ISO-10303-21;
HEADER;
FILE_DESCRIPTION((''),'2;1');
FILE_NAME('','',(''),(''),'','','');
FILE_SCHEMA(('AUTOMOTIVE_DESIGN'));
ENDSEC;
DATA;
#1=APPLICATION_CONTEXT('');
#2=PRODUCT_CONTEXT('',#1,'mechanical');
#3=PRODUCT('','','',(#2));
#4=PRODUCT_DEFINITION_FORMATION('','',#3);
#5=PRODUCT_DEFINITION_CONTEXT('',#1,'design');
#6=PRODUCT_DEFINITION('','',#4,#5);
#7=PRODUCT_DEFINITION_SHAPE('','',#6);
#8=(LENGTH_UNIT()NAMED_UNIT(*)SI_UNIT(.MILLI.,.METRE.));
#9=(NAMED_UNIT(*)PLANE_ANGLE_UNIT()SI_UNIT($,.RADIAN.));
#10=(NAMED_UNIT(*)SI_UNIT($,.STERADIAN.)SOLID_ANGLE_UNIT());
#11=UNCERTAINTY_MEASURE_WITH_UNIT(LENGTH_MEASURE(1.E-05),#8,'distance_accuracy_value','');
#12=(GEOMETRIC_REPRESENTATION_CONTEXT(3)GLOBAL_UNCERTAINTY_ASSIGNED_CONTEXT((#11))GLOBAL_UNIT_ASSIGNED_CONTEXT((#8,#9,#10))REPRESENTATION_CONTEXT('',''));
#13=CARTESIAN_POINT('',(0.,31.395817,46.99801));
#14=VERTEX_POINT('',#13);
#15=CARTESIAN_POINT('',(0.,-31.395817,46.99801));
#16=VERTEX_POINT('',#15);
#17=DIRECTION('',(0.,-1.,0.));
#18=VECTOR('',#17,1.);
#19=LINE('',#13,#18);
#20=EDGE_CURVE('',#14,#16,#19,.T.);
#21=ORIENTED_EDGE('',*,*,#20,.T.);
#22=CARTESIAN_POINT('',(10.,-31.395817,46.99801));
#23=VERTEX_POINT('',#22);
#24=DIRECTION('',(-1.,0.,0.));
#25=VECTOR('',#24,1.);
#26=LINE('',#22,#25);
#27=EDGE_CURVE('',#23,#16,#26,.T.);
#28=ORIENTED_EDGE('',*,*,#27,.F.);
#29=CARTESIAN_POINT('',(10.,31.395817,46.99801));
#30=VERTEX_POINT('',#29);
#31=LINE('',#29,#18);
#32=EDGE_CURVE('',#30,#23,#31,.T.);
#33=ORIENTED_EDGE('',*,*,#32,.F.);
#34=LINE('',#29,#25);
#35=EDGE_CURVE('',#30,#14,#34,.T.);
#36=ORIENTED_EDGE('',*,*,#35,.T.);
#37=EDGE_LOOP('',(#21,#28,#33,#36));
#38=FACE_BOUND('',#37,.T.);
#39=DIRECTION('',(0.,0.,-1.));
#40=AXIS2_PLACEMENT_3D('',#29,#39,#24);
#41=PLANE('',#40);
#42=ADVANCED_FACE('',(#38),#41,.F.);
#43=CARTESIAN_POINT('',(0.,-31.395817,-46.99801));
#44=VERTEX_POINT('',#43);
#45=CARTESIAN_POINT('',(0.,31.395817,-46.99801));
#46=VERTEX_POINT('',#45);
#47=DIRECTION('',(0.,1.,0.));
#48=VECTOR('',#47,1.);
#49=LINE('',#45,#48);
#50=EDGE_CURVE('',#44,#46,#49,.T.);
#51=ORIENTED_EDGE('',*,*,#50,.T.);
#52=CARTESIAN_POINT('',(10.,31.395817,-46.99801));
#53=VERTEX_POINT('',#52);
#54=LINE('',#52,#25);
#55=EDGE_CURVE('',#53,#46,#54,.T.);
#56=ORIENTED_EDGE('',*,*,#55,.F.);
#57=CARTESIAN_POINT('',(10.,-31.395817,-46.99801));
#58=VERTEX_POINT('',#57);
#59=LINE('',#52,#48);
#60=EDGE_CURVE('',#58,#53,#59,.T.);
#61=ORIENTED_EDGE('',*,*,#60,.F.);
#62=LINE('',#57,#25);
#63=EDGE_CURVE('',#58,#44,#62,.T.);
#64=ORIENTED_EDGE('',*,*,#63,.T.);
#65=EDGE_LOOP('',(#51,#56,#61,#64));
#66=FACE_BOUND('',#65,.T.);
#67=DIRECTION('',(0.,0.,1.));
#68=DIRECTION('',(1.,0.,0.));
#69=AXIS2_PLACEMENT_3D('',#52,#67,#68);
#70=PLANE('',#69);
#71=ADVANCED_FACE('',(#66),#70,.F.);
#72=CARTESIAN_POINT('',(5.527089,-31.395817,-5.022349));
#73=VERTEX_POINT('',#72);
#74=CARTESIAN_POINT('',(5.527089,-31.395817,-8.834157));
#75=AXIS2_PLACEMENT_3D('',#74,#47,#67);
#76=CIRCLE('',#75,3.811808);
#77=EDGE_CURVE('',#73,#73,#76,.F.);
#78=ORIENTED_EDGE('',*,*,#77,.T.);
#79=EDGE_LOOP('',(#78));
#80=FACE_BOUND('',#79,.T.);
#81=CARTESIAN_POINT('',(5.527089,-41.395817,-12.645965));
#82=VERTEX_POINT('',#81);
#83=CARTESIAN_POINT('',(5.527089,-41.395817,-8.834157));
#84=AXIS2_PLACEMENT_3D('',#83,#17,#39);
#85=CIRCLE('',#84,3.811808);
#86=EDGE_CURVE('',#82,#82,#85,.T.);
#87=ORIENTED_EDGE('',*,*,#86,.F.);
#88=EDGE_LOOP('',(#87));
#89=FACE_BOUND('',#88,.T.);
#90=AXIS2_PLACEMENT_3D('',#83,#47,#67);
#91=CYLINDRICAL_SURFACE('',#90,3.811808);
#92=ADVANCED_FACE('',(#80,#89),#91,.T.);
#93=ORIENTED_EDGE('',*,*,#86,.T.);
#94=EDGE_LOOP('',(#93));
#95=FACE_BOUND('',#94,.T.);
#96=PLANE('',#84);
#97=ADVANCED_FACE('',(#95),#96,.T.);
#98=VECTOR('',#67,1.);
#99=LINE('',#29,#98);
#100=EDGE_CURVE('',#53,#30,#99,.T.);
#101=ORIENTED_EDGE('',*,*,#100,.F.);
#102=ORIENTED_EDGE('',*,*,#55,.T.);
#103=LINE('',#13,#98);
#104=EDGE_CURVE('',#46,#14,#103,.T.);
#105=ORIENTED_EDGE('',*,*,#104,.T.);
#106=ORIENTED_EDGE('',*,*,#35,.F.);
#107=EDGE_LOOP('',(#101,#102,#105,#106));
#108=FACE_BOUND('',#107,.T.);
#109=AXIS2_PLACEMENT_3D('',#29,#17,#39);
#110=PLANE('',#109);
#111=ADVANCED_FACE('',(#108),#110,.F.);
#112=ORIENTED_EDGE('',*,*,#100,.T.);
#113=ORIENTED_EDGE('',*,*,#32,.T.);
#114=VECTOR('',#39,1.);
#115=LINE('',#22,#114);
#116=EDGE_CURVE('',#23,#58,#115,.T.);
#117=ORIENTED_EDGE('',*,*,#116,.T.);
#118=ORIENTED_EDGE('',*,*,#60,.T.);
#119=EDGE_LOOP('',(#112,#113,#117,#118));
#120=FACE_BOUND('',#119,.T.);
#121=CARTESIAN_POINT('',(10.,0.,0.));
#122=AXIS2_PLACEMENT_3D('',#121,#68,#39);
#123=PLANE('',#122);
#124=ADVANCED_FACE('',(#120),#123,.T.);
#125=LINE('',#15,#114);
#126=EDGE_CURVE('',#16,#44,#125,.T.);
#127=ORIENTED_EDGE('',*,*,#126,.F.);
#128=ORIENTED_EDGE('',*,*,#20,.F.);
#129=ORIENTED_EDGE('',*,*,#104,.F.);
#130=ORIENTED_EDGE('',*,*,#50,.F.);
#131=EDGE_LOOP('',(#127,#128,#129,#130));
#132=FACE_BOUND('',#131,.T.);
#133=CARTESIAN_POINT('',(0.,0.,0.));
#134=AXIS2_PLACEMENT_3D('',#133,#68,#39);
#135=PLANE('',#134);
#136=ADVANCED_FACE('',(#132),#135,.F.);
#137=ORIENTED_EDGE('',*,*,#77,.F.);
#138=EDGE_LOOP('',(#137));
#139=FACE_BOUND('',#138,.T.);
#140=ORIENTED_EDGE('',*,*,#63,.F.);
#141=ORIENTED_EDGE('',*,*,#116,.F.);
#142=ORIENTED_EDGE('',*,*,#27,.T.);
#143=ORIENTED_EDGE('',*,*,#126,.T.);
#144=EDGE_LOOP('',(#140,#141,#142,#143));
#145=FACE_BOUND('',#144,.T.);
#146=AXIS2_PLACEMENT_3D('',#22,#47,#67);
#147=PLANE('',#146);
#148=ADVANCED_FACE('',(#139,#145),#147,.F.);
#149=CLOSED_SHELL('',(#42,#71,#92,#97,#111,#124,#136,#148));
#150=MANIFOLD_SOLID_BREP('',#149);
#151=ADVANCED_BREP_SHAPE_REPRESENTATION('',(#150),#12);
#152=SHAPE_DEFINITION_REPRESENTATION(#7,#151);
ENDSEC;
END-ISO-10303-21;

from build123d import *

# Parameters (mm, degrees)
SKETCH2_W           = 93.996020074
SKETCH2_H           = 62.791633466
BOSS_EXTRUDE1_DEPTH = 10
SKETCH3_R           = 3.811808022
BOSS_EXTRUDE2_DEPTH = 10


with BuildPart() as part:
    # Sketch2 → Boss-Extrude1 (new body)
    with BuildSketch(Plane(origin=(0, 0, 0), x_dir=(0, 0, -1), z_dir=(1, 0, 0))):
        Rectangle(SKETCH2_W, SKETCH2_H)
    extrude(amount=BOSS_EXTRUDE1_DEPTH)

    # Sketch3 → Boss-Extrude2 (add)
    with BuildSketch(Plane(origin=(0, -31.395816733, 0), x_dir=(-1, 0, 0), z_dir=(0, -1, 0))):
        with Locations(Location((-5.527088821, 8.834157346, 0), (0, 0, 270))):
            Circle(SKETCH3_R)
    extrude(amount=BOSS_EXTRUDE2_DEPTH)


solid = part.part
